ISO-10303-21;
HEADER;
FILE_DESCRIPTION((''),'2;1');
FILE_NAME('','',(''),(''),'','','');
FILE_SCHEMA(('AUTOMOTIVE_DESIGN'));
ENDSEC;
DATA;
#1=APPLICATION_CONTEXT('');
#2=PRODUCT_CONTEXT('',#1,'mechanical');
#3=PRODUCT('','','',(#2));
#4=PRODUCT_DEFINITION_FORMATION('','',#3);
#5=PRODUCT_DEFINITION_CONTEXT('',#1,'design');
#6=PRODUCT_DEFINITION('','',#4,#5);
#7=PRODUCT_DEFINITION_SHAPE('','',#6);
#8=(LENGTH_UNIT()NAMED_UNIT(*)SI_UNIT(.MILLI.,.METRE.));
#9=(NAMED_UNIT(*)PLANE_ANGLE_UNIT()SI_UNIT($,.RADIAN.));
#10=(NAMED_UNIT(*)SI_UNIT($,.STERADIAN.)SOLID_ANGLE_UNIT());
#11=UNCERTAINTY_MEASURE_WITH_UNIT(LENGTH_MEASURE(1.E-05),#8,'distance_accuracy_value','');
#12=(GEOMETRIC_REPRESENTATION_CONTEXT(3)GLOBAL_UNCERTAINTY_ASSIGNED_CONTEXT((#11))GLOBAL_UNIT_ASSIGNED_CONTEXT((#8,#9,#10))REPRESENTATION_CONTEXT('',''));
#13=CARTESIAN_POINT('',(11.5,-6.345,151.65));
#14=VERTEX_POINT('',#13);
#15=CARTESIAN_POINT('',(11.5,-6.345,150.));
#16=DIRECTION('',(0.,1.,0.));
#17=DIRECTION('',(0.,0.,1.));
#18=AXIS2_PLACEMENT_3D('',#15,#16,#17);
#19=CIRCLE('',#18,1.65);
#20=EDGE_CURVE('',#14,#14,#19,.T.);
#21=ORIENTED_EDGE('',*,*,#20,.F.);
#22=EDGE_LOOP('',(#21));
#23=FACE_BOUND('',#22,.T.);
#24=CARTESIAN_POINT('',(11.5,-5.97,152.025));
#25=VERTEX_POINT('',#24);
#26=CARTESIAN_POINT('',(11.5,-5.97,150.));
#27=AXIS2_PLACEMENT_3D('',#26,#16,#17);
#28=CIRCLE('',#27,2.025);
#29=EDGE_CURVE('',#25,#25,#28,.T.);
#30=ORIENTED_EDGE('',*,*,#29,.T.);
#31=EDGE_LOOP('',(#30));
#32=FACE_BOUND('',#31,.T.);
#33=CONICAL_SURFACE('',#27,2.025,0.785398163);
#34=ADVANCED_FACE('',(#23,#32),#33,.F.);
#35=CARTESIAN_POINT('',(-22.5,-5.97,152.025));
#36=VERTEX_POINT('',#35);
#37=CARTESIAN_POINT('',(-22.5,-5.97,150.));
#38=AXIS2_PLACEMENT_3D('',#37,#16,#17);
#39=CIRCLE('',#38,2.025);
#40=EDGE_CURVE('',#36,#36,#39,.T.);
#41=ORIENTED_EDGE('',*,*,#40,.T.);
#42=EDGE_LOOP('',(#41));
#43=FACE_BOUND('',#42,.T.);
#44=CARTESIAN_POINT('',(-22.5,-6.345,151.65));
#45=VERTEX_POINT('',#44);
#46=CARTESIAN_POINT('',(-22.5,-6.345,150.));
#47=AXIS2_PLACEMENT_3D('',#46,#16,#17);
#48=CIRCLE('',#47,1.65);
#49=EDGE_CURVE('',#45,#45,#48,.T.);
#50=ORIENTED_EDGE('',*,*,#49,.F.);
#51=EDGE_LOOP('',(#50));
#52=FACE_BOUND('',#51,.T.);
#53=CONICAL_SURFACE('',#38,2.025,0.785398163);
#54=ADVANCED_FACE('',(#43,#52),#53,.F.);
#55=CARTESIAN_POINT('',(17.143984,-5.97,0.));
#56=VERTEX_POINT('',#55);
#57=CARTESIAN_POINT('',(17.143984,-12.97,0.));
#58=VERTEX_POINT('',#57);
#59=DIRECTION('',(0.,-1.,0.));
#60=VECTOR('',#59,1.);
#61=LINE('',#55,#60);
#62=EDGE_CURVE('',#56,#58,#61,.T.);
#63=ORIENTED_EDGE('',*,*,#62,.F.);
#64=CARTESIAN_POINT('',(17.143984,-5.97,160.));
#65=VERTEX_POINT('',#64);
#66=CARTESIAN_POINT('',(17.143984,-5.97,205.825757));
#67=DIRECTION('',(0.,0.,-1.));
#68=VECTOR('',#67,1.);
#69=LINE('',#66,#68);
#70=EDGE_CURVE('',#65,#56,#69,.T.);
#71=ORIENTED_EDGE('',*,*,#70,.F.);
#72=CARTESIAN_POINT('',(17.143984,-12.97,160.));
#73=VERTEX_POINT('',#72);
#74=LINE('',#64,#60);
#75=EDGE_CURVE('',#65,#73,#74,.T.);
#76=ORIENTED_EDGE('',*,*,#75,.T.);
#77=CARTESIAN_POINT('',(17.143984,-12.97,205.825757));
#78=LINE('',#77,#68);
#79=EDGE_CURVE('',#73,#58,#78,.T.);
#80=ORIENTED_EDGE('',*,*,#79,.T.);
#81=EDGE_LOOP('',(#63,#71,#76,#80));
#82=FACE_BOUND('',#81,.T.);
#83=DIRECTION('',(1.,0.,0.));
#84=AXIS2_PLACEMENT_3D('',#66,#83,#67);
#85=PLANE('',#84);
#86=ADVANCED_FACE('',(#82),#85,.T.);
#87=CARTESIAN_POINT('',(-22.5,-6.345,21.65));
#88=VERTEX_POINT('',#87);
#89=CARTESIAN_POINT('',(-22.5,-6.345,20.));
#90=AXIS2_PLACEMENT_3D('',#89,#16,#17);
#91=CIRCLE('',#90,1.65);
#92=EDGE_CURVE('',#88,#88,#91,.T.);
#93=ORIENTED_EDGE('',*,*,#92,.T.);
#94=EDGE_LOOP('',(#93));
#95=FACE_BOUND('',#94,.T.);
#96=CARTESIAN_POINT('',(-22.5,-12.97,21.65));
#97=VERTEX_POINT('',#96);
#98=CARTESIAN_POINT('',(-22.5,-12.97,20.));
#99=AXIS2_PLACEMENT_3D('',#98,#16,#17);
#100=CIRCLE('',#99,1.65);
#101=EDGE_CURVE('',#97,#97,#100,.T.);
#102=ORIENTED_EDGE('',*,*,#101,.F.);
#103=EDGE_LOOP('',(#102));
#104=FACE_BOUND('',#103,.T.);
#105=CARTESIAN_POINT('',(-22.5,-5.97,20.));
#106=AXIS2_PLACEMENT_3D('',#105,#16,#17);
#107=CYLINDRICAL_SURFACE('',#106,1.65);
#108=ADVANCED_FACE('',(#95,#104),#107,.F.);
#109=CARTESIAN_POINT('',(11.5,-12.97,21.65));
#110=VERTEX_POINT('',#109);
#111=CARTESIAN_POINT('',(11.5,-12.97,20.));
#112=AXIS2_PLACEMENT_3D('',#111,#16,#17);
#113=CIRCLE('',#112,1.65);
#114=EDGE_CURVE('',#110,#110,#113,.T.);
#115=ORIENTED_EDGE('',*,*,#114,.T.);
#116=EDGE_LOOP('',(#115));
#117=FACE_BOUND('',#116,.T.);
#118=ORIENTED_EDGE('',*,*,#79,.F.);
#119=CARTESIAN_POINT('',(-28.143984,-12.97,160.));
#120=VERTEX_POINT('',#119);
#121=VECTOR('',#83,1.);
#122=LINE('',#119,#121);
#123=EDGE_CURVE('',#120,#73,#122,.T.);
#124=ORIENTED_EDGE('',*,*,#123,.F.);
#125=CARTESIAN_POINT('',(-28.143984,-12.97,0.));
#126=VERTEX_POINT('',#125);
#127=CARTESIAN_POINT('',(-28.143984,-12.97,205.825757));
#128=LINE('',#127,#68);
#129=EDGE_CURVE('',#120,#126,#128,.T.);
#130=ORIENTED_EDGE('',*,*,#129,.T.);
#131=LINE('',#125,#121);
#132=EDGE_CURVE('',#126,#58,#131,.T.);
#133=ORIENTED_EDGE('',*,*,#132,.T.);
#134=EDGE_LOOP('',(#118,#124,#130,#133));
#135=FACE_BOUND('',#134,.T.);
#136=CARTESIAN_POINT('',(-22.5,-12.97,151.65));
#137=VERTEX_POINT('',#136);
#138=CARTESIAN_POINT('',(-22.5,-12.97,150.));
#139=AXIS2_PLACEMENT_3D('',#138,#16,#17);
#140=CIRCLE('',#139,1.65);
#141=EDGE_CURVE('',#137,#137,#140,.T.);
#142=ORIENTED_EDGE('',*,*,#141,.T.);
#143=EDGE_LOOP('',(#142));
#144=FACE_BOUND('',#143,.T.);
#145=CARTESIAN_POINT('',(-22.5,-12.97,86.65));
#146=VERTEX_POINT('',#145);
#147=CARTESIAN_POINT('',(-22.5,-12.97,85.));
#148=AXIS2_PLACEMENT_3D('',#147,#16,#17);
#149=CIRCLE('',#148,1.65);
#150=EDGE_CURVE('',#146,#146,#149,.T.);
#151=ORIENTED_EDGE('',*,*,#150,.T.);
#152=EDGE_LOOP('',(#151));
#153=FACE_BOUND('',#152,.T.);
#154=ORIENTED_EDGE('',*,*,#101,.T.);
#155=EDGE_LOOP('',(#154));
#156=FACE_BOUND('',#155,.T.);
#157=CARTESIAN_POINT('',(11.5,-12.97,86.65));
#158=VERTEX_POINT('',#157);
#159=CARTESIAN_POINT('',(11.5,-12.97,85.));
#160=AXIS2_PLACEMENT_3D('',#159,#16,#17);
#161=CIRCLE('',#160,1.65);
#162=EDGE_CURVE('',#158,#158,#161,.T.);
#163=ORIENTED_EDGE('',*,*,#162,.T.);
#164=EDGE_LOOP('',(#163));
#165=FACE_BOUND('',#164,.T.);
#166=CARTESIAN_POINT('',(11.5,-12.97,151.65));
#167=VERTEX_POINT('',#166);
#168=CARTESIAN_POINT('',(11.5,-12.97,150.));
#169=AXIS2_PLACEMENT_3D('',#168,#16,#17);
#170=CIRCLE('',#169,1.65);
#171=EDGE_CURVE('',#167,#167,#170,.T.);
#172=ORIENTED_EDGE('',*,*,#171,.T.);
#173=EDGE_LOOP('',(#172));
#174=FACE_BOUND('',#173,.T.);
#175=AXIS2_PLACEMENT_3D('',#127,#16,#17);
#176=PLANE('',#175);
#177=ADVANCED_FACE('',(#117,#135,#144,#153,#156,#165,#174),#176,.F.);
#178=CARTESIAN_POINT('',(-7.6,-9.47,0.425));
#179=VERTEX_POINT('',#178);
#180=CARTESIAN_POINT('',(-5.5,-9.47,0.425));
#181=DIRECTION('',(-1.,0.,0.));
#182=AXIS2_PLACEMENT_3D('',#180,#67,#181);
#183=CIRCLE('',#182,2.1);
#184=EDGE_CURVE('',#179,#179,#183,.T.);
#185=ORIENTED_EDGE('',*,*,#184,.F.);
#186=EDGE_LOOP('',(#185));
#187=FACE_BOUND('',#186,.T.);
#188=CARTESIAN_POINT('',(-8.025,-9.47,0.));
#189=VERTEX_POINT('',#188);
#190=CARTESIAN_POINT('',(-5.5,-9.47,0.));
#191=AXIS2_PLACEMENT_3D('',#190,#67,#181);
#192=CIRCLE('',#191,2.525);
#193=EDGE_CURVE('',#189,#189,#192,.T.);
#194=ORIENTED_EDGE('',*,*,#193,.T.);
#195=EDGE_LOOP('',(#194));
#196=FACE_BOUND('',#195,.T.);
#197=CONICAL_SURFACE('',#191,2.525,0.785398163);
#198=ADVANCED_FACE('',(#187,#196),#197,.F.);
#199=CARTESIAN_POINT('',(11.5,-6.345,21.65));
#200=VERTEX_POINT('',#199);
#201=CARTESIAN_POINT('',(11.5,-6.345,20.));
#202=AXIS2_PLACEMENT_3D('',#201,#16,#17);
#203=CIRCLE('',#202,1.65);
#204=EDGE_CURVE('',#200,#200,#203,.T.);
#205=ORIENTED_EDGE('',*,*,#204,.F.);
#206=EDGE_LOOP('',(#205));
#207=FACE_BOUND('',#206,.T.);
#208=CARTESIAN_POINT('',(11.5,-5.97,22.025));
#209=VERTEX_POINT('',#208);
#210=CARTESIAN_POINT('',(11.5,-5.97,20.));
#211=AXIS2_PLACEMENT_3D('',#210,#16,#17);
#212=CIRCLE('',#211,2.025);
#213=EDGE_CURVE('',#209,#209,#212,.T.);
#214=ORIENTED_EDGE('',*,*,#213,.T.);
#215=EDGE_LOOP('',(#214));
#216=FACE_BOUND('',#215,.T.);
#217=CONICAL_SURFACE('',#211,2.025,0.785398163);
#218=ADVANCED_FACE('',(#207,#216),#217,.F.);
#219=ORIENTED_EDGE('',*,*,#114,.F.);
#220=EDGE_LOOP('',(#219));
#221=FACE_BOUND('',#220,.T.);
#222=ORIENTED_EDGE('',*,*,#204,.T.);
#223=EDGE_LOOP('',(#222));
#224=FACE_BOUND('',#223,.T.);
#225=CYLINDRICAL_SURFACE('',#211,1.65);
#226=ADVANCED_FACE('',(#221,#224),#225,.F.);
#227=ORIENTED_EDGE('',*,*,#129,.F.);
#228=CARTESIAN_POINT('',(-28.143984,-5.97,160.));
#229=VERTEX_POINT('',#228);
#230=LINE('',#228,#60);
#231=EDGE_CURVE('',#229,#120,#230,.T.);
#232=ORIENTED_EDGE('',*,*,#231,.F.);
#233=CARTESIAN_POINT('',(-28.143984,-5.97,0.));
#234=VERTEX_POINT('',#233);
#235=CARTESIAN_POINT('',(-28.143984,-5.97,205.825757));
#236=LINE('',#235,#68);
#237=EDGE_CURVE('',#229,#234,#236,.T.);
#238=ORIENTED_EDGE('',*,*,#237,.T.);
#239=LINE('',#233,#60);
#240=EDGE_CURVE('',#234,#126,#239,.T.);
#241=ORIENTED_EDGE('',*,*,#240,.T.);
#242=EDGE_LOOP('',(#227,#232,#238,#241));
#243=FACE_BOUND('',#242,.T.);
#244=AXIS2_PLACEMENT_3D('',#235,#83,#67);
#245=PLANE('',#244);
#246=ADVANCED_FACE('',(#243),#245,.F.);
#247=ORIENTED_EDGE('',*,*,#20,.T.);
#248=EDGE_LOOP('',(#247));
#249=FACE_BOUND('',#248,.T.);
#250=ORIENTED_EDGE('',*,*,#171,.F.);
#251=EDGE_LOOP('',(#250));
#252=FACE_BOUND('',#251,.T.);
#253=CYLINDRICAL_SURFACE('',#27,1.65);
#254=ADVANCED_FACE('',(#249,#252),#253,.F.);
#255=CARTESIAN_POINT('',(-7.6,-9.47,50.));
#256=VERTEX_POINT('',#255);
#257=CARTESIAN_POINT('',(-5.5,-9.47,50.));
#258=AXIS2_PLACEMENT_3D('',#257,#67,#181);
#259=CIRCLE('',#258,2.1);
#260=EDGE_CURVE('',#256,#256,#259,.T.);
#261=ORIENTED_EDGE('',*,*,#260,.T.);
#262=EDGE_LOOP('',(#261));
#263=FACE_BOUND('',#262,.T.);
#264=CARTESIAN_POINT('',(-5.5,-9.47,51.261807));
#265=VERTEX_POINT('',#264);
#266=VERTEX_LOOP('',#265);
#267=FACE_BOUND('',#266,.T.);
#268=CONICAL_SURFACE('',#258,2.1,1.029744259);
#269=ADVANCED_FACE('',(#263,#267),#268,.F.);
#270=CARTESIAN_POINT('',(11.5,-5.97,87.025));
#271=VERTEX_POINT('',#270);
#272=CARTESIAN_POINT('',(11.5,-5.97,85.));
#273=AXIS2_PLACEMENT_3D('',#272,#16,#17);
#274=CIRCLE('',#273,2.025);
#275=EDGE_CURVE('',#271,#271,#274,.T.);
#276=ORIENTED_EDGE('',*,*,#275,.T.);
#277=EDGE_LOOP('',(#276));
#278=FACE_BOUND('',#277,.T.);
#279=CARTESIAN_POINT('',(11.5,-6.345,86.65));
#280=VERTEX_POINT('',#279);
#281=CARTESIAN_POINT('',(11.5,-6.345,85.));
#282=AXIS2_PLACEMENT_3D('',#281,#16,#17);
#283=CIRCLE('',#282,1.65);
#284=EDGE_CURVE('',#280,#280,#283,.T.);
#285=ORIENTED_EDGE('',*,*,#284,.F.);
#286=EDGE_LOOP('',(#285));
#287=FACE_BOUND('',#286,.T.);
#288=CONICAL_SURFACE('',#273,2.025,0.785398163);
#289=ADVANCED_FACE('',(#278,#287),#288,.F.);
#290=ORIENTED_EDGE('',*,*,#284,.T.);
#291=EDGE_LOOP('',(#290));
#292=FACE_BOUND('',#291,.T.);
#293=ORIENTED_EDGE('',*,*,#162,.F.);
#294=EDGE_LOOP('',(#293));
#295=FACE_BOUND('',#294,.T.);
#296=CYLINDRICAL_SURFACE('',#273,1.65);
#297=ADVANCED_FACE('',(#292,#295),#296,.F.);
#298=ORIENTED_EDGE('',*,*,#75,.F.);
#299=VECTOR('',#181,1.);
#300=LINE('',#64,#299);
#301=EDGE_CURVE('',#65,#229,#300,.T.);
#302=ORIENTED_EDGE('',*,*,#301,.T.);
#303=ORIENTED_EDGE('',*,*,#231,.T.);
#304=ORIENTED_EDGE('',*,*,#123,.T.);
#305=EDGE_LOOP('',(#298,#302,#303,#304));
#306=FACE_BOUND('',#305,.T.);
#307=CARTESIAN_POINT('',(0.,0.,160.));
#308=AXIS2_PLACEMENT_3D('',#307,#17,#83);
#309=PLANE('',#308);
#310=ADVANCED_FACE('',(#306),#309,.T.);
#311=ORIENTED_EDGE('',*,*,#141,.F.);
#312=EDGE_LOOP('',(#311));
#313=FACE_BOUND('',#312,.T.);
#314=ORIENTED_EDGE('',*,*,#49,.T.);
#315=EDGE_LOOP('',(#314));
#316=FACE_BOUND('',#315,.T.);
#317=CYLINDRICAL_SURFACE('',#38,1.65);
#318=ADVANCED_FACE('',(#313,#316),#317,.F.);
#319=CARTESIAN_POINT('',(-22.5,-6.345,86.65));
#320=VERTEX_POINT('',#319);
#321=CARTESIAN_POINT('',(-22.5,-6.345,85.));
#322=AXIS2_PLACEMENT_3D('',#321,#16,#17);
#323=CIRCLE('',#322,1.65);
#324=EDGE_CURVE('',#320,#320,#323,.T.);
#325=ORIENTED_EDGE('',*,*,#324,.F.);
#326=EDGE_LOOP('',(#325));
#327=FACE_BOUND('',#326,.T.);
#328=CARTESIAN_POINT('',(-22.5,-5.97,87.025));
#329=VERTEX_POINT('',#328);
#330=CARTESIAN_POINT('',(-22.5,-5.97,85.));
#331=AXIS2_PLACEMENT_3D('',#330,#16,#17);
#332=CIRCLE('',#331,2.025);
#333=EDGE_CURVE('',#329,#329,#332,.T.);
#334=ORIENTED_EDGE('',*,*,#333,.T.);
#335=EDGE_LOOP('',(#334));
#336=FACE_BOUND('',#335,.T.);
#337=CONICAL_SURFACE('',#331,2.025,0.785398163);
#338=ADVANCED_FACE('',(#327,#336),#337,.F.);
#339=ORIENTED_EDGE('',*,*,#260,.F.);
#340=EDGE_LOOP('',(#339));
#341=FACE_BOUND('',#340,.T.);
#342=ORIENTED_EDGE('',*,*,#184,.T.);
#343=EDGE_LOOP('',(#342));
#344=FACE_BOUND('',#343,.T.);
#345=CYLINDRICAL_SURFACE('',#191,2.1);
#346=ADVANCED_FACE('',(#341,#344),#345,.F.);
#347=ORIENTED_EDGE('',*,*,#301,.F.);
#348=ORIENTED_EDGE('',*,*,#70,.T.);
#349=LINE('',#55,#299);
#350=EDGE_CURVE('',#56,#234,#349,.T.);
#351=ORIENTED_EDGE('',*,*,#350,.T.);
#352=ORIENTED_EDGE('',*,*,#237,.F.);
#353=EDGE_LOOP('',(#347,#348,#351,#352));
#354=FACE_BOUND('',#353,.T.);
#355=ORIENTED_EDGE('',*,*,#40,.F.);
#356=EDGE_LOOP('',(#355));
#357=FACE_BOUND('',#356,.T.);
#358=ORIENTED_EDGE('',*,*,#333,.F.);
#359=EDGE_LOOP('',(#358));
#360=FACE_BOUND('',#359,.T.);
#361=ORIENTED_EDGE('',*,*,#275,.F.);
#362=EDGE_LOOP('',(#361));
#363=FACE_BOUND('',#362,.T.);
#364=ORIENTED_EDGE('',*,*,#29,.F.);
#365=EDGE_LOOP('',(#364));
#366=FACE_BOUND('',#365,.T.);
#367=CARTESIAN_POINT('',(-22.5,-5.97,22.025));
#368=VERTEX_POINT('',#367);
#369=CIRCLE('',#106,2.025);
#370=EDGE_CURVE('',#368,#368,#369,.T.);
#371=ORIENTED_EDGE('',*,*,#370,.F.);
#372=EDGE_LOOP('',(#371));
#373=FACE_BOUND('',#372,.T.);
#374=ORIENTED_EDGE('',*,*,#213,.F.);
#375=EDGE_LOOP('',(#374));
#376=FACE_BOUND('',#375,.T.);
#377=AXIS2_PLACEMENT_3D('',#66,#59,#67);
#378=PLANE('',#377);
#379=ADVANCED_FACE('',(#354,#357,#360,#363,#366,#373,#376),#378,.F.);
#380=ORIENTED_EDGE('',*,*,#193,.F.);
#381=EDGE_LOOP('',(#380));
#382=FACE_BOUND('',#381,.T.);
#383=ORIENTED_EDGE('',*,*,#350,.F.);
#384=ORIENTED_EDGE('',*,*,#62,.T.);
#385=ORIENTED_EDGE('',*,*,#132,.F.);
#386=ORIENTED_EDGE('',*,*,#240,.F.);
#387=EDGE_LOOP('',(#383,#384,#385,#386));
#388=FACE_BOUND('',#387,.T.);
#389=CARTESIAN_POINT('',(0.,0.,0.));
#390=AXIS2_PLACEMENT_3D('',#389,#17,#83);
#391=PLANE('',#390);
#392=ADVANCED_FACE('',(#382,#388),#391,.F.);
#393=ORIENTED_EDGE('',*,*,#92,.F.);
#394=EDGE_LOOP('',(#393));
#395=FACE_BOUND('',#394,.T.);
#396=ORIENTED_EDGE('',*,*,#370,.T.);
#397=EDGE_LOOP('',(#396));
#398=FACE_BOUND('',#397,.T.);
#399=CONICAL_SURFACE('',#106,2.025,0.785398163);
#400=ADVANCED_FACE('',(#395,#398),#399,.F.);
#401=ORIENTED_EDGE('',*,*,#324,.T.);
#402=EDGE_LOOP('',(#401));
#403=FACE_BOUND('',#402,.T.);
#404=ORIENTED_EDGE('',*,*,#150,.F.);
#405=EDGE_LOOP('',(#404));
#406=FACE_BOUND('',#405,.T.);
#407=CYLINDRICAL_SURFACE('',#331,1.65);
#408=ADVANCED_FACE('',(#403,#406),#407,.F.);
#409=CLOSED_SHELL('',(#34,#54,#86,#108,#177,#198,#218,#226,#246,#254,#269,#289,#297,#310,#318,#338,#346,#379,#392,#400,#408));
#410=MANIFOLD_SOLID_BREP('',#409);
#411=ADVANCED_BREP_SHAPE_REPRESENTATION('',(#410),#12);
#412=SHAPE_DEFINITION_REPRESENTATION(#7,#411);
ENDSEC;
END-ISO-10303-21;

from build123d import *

# Parameters (mm, degrees)
ESQUISSE1_W                 = 45.287967496
ESQUISSE1_H                 = 7
BOSS_EXTRU_1_DEPTH          = 160
TROU_TARAUD_M41_D           = 3.3
TROU_TARAUD_M41_CSINK_D     = 4.05
TROU_TARAUD_M41_CSINK_ANGLE = 90
TROU_TARAUD_M53_D           = 4.2
TROU_TARAUD_M53_DEPTH       = 50
TROU_TARAUD_M53_CSINK_D     = 5.05
TROU_TARAUD_M53_CSINK_ANGLE = 90
TROU_TARAUD_M53_TIP         = 1.2618073


with BuildPart() as part:
    # Esquisse1 → Boss.-Extru.1 (new body)
    with BuildSketch(Plane.XY):
        with Locations((-5.5, -9.47)):
            Rectangle(ESQUISSE1_W, ESQUISSE1_H)
    extrude(amount=BOSS_EXTRU_1_DEPTH)

    # Trou taraudé M41 (through all)
    with Locations(Plane(origin=(0.354832292, -5.97, 0), x_dir=(1, 0, 0), z_dir=(0, 1, 0))):
        with Locations((-22.854832292, -20), (-22.854832292, -85), (-22.854832292, -150), (11.145167708, -150), (11.145167708, -85), (11.145167708, -20)):
            CounterSinkHole(TROU_TARAUD_M41_D / 2, TROU_TARAUD_M41_CSINK_D / 2, counter_sink_angle=TROU_TARAUD_M41_CSINK_ANGLE)

    # Trou taraudé M53
    with Locations(Plane(origin=(0, 0, 0), x_dir=(-1, 0, 0), z_dir=(0, 0, -1))):
        with Locations((5.5, -9.47)):
            CounterSinkHole(TROU_TARAUD_M53_D / 2, TROU_TARAUD_M53_CSINK_D / 2, depth=TROU_TARAUD_M53_DEPTH, counter_sink_angle=TROU_TARAUD_M53_CSINK_ANGLE)
            with Locations((0, 0, -(TROU_TARAUD_M53_DEPTH + TROU_TARAUD_M53_TIP / 2))):  # 118° drill point
                Cone(0, TROU_TARAUD_M53_D / 2, TROU_TARAUD_M53_TIP, mode=Mode.SUBTRACT)


solid = part.part
